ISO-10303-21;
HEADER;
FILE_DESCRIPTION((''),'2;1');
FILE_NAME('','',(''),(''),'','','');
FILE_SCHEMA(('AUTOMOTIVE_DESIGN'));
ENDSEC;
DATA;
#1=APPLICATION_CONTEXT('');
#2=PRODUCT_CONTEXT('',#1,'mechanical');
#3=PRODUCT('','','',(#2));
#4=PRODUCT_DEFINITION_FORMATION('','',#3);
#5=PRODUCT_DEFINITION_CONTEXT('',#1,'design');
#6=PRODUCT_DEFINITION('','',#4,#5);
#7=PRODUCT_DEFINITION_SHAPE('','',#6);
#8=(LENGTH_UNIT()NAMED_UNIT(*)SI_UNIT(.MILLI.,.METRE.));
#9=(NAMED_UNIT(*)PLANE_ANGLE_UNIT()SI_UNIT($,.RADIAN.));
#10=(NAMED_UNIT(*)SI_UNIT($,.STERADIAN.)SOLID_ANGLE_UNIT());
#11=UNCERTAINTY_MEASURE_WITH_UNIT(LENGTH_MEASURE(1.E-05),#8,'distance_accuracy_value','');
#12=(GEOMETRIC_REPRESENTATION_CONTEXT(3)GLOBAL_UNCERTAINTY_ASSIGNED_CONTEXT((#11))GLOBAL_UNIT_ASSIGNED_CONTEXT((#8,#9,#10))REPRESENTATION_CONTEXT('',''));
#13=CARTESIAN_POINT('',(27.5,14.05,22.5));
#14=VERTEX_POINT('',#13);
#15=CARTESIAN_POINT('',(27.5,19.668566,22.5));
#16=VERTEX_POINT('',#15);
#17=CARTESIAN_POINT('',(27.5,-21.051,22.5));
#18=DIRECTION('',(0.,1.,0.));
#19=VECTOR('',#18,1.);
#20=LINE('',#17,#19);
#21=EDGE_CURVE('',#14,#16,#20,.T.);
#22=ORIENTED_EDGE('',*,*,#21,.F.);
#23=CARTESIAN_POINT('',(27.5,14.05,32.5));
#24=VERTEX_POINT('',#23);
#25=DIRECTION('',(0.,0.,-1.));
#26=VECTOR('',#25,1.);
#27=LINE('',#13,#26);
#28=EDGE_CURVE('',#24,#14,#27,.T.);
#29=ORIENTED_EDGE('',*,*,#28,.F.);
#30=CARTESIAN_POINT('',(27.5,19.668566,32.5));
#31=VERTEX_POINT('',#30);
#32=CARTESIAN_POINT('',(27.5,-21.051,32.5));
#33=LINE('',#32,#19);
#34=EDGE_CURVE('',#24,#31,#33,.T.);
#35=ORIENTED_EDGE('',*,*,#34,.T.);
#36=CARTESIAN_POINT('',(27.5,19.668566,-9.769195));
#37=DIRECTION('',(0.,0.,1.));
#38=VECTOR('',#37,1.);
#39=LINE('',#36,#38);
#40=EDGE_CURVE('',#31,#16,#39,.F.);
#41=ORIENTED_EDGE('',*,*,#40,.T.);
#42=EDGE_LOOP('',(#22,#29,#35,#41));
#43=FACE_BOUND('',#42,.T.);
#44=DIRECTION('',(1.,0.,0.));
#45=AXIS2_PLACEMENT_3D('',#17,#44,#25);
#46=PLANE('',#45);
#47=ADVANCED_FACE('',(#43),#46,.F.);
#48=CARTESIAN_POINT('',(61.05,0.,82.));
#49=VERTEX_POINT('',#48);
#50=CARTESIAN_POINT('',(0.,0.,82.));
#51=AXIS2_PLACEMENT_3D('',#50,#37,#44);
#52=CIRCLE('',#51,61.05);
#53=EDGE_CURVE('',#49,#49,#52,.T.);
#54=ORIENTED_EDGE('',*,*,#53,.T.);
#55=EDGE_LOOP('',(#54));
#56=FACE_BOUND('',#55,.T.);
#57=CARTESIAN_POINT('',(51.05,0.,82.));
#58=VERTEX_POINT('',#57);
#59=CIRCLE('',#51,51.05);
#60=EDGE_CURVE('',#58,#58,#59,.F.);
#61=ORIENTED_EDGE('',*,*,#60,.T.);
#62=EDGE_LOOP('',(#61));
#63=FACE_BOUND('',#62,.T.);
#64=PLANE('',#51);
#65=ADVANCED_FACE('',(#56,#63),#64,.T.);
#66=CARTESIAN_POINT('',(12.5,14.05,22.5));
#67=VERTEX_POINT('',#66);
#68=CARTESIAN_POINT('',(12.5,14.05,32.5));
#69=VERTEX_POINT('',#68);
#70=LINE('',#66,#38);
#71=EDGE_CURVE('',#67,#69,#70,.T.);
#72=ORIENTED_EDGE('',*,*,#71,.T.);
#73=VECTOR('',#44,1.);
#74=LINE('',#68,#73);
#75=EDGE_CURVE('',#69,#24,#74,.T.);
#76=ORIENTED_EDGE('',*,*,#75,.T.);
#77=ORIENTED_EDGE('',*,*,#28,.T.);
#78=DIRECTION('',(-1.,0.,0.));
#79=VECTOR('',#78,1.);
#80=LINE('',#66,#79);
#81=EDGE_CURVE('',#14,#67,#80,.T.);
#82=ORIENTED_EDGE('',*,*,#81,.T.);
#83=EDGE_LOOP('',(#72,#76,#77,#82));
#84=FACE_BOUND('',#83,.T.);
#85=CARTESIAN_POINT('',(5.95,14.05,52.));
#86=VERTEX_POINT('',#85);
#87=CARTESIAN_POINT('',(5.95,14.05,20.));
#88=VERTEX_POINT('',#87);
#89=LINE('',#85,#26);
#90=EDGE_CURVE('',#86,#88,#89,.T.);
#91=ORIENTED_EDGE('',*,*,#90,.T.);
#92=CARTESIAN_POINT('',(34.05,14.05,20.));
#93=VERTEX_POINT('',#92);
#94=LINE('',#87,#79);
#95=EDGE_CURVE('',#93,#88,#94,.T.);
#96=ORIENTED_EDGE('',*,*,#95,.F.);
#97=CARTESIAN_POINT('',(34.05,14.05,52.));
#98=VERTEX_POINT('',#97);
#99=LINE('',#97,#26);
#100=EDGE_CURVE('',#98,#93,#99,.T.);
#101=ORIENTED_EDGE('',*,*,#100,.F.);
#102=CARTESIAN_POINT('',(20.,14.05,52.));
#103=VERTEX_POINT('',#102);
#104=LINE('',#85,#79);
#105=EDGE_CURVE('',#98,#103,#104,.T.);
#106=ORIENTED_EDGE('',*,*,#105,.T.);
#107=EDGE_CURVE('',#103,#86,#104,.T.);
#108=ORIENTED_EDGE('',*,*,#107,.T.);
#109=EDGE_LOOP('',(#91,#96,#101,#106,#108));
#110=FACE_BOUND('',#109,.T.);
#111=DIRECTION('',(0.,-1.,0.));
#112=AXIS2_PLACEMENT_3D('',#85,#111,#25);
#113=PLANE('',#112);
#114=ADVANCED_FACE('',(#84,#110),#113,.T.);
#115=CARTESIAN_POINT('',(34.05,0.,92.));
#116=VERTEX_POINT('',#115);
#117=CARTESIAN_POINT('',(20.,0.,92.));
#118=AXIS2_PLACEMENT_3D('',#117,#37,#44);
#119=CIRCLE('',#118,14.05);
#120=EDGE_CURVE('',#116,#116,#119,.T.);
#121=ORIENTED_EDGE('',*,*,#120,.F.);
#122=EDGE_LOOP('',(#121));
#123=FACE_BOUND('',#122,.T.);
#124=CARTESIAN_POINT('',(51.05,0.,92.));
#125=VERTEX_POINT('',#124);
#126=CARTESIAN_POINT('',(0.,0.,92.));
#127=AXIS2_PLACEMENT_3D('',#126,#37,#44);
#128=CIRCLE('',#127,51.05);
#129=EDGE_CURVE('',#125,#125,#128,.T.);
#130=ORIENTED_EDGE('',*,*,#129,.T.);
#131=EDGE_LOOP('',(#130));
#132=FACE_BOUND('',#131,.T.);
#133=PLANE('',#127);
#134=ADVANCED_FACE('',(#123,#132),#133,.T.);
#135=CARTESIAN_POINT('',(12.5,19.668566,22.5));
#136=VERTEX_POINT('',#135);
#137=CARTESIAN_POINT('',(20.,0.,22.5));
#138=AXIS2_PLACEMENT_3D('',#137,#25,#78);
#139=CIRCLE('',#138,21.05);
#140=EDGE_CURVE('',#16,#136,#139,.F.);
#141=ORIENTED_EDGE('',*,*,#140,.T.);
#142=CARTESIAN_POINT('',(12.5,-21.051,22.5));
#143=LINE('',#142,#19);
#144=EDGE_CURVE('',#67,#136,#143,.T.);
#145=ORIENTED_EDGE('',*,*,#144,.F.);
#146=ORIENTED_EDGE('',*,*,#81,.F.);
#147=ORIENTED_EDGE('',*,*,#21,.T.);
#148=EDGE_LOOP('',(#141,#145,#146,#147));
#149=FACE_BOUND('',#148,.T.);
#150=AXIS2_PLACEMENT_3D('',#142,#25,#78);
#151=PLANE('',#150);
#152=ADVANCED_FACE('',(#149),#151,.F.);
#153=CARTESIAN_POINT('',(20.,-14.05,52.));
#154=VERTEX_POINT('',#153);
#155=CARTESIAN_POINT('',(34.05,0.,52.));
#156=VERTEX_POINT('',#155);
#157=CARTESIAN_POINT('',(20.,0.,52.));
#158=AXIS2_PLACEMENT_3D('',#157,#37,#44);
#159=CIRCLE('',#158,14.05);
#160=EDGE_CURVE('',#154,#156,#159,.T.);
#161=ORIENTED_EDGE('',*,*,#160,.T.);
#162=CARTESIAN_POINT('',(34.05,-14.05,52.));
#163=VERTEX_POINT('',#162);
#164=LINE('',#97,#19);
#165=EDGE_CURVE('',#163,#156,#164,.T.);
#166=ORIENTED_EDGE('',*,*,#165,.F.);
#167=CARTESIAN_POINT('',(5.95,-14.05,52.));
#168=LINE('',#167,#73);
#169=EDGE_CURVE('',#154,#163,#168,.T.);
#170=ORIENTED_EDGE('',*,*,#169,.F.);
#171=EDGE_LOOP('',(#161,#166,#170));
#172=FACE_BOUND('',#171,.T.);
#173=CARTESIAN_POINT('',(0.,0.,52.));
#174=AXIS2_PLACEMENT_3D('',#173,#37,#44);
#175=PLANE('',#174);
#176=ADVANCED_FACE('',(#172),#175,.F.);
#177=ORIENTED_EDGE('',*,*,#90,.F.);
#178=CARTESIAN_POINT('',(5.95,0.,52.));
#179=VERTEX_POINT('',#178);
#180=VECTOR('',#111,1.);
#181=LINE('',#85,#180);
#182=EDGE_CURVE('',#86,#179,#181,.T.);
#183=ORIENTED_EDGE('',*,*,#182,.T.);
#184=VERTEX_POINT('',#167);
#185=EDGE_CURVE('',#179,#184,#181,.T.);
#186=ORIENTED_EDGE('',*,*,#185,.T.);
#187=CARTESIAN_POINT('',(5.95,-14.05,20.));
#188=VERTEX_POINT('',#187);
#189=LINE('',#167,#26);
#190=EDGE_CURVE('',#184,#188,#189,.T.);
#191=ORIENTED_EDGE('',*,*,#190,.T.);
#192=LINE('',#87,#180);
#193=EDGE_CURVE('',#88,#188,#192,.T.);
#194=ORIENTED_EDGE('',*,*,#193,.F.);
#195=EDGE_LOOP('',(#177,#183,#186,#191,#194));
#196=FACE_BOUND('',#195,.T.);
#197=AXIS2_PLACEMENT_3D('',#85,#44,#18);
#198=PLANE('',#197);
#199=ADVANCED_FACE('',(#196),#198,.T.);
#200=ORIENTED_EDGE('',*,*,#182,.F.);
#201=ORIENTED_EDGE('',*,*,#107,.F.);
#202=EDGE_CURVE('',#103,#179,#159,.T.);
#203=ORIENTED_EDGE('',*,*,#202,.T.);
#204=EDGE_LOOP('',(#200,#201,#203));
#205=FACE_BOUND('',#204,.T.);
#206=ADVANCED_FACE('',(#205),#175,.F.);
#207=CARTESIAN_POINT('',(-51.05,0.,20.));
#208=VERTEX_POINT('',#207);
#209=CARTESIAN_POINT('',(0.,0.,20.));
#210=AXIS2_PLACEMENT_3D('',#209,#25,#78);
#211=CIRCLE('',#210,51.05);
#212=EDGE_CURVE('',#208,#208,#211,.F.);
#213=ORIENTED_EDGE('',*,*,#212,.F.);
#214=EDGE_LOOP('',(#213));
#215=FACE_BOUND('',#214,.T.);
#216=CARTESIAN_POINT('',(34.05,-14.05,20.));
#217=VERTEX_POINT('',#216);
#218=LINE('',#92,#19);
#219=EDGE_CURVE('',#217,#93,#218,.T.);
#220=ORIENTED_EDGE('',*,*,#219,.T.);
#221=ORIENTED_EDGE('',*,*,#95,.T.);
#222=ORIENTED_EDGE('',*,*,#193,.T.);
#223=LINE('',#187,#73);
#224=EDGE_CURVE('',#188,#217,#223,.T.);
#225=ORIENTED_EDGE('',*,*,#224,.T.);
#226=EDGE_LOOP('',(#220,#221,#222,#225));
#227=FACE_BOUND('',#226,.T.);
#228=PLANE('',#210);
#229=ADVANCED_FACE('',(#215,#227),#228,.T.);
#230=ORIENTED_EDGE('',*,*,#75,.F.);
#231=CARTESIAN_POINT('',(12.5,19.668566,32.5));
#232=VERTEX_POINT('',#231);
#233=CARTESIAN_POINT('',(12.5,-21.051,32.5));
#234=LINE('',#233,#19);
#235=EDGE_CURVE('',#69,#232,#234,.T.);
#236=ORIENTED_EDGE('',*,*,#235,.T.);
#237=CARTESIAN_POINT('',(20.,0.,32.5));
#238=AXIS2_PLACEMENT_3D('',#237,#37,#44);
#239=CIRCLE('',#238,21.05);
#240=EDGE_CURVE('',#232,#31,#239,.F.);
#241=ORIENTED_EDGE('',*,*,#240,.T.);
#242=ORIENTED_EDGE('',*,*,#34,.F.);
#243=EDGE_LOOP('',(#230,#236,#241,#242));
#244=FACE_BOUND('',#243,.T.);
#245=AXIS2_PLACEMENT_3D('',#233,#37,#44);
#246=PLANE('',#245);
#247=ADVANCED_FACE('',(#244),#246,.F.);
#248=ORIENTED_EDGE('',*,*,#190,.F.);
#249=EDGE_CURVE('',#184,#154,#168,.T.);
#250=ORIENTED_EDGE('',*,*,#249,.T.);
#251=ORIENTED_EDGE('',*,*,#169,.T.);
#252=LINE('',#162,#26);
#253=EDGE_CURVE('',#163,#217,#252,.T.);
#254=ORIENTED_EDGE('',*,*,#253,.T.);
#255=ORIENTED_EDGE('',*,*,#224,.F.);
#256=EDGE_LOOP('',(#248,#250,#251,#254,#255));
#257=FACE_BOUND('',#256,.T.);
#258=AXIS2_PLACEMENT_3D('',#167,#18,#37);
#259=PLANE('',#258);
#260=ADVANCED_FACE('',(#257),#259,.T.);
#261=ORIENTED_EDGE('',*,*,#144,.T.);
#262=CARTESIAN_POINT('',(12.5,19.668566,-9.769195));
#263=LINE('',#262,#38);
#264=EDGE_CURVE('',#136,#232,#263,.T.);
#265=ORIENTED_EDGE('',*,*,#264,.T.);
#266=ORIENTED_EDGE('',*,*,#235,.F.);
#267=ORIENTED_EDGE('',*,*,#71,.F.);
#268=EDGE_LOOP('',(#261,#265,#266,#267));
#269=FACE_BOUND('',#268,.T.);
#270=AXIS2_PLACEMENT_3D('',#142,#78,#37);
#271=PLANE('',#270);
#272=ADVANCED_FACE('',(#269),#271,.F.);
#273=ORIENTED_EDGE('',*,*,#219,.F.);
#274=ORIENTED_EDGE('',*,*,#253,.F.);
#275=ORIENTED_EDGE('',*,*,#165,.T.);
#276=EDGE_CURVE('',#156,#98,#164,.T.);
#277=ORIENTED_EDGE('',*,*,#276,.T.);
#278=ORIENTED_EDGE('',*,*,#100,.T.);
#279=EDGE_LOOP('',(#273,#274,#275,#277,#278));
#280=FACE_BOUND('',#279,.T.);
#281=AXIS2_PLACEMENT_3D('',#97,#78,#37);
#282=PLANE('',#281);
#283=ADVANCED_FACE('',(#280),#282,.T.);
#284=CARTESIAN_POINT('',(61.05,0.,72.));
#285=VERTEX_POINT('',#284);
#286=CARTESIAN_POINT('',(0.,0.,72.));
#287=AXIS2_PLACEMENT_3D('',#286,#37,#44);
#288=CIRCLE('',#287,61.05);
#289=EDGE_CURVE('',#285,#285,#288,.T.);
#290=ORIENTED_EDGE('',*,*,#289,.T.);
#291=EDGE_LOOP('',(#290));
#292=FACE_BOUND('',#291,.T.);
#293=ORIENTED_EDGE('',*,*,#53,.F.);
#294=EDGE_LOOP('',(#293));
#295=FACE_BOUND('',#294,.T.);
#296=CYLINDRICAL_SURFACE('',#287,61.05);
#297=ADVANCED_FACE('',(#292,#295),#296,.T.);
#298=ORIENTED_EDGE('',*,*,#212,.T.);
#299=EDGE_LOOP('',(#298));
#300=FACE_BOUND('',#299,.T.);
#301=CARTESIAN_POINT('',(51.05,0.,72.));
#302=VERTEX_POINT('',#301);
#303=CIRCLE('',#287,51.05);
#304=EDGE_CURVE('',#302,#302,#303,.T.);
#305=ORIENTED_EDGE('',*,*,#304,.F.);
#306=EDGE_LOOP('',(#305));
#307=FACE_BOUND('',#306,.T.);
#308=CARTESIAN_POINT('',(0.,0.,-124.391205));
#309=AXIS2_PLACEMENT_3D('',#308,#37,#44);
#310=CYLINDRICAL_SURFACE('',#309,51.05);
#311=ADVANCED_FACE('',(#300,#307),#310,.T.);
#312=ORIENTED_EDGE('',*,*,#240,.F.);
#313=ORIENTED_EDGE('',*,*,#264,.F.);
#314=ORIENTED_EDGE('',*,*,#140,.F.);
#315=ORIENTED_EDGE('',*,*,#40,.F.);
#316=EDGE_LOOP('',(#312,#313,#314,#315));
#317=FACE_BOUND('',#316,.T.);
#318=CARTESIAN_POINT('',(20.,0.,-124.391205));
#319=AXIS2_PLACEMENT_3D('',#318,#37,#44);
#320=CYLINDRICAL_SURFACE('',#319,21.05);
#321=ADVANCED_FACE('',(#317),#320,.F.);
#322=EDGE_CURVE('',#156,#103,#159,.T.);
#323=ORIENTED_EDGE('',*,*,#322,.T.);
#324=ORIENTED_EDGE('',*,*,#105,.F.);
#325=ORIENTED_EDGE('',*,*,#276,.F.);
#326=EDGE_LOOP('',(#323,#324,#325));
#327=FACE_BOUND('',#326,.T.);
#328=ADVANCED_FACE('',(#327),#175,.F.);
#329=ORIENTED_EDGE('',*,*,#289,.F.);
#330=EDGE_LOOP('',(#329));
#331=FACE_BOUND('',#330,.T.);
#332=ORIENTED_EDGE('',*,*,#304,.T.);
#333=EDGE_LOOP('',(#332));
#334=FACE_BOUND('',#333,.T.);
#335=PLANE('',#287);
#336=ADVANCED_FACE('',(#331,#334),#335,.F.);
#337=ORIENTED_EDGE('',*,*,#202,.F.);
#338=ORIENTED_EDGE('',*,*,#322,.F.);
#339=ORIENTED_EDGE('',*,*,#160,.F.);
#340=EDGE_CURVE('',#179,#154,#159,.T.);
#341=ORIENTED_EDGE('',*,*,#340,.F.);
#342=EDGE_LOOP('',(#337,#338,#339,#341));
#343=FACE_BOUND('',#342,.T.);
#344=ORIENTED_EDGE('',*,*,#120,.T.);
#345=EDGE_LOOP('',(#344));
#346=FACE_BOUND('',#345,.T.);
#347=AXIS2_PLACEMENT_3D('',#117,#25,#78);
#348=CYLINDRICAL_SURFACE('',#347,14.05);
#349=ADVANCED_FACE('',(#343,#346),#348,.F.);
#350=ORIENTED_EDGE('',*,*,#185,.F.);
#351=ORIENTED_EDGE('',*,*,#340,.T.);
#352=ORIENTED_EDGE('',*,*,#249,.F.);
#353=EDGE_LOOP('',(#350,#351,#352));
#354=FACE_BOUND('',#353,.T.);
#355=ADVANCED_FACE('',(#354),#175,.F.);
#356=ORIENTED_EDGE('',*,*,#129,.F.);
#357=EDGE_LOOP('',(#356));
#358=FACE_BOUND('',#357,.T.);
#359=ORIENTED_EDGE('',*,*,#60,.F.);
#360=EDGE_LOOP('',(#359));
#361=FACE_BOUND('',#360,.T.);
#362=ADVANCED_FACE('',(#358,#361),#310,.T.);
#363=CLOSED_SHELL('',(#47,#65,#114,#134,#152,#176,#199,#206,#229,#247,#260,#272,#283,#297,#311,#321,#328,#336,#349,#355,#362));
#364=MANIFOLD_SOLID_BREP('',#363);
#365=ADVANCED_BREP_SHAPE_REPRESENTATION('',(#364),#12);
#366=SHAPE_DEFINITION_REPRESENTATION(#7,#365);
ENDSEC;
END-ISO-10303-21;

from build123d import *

# Parameters (mm, degrees)
SKETCH5_W           = 42.1
SKETCH5_H           = 42.1
SKETCH5_W_2         = 28.1
SKETCH5_H_2         = 28.1
BOSS_EXTRUDE3_DEPTH = 32
CUT_EXTRUDE2_REACH  = 80.495
SKETCH6_W           = 15
SKETCH6_H           = 10
SKETCH7_W           = 42.1
SKETCH7_H           = 42.1
SKETCH7_R           = 14.05
BOSS_EXTRUDE4_DEPTH = 40
CUT_EXTRUDE3_START  = -72
CUT_EXTRUDE3_DEPTH  = 72
CIRPATTERN1_COUNT   = 4
BOSS_EXTRUDE6_START = -72
SKETCH24_R          = 51.05
SKETCH24_R_2        = 21.05
BOSS_EXTRUDE6_DEPTH = 72
BOSS_EXTRUDE7_START = -20
SKETCH25_R          = 61.05
SKETCH25_R_2        = 51.05
BOSS_EXTRUDE7_DEPTH = 10


with BuildPart() as part:
    # Sketch5 → Boss-Extrude3 (new body)
    with BuildSketch(Plane.XY.offset(20)):
        with Locations((20, 0)):
            Rectangle(SKETCH5_W, SKETCH5_H)
        with Locations((20, 0)):
            Rectangle(SKETCH5_W_2, SKETCH5_H_2, mode=Mode.SUBTRACT)
    extrude(amount=BOSS_EXTRUDE3_DEPTH)

    # Sketch6 → Cut-Extrude2 (cut, up to next)
    with BuildSketch(Plane(origin=(0, 21.05, 0), x_dir=(1, 0, 0), z_dir=(0, 1, 0)), mode=Mode.PRIVATE) as cut_extrude2_sk1:
        with Locations((20, -27.5)):
            Rectangle(SKETCH6_W, SKETCH6_H)
    cut_extrude2_tool1 = extrude(cut_extrude2_sk1.sketch, amount=-CUT_EXTRUDE2_REACH, mode=Mode.PRIVATE) & part.part
    add(cut_extrude2_tool1.solids().sort_by_distance((20, 21.05, 27.5))[0], mode=Mode.SUBTRACT)

    # Sketch7 → Boss-Extrude4 (add)
    with BuildSketch(Plane.XY.offset(52)):
        with Locations((20, 0)):
            Rectangle(SKETCH7_W, SKETCH7_H)
        with Locations((20, 0)):
            Circle(SKETCH7_R, mode=Mode.SUBTRACT)
    extrude(amount=BOSS_EXTRUDE4_DEPTH)

    # Sketch11 → Cut-Extrude3 (cut)
    with BuildSketch(Plane.XY.offset(92).offset(CUT_EXTRUDE3_START)):
        with BuildLine():
            Line((20, 21.05), (-1.05, 21.05))
            Line((-1.05, 21.05), (-1.05, 0))
            ThreePointArc((-1.05, 0), (5.115402256, 14.884597744), (20, 21.05))
        make_face()
    cut_extrude3 = extrude(amount=CUT_EXTRUDE3_DEPTH, mode=Mode.SUBTRACT)

    # CirPattern1: Cut-Extrude3 ×4 about axis
    cirpattern1_axis = Axis((20, 0, 92), (0, 0, 1))
    for i in range(1, CIRPATTERN1_COUNT):
        add(cut_extrude3.rotate(cirpattern1_axis, i * 360 / CIRPATTERN1_COUNT), mode=Mode.SUBTRACT)

    # Sketch24 → Boss-Extrude6 (add)
    with BuildSketch(Plane.XY.offset(92).offset(BOSS_EXTRUDE6_START)):
        Circle(SKETCH24_R)
        with Locations((20, 0)):
            Circle(SKETCH24_R_2, mode=Mode.SUBTRACT)
    extrude(amount=BOSS_EXTRUDE6_DEPTH)

    # Sketch25 → Boss-Extrude7 (add)
    with BuildSketch(Plane.XY.offset(92).offset(BOSS_EXTRUDE7_START)):
        Circle(SKETCH25_R)
        Circle(SKETCH25_R_2, mode=Mode.SUBTRACT)
    extrude(amount=BOSS_EXTRUDE7_DEPTH)


solid = part.part
